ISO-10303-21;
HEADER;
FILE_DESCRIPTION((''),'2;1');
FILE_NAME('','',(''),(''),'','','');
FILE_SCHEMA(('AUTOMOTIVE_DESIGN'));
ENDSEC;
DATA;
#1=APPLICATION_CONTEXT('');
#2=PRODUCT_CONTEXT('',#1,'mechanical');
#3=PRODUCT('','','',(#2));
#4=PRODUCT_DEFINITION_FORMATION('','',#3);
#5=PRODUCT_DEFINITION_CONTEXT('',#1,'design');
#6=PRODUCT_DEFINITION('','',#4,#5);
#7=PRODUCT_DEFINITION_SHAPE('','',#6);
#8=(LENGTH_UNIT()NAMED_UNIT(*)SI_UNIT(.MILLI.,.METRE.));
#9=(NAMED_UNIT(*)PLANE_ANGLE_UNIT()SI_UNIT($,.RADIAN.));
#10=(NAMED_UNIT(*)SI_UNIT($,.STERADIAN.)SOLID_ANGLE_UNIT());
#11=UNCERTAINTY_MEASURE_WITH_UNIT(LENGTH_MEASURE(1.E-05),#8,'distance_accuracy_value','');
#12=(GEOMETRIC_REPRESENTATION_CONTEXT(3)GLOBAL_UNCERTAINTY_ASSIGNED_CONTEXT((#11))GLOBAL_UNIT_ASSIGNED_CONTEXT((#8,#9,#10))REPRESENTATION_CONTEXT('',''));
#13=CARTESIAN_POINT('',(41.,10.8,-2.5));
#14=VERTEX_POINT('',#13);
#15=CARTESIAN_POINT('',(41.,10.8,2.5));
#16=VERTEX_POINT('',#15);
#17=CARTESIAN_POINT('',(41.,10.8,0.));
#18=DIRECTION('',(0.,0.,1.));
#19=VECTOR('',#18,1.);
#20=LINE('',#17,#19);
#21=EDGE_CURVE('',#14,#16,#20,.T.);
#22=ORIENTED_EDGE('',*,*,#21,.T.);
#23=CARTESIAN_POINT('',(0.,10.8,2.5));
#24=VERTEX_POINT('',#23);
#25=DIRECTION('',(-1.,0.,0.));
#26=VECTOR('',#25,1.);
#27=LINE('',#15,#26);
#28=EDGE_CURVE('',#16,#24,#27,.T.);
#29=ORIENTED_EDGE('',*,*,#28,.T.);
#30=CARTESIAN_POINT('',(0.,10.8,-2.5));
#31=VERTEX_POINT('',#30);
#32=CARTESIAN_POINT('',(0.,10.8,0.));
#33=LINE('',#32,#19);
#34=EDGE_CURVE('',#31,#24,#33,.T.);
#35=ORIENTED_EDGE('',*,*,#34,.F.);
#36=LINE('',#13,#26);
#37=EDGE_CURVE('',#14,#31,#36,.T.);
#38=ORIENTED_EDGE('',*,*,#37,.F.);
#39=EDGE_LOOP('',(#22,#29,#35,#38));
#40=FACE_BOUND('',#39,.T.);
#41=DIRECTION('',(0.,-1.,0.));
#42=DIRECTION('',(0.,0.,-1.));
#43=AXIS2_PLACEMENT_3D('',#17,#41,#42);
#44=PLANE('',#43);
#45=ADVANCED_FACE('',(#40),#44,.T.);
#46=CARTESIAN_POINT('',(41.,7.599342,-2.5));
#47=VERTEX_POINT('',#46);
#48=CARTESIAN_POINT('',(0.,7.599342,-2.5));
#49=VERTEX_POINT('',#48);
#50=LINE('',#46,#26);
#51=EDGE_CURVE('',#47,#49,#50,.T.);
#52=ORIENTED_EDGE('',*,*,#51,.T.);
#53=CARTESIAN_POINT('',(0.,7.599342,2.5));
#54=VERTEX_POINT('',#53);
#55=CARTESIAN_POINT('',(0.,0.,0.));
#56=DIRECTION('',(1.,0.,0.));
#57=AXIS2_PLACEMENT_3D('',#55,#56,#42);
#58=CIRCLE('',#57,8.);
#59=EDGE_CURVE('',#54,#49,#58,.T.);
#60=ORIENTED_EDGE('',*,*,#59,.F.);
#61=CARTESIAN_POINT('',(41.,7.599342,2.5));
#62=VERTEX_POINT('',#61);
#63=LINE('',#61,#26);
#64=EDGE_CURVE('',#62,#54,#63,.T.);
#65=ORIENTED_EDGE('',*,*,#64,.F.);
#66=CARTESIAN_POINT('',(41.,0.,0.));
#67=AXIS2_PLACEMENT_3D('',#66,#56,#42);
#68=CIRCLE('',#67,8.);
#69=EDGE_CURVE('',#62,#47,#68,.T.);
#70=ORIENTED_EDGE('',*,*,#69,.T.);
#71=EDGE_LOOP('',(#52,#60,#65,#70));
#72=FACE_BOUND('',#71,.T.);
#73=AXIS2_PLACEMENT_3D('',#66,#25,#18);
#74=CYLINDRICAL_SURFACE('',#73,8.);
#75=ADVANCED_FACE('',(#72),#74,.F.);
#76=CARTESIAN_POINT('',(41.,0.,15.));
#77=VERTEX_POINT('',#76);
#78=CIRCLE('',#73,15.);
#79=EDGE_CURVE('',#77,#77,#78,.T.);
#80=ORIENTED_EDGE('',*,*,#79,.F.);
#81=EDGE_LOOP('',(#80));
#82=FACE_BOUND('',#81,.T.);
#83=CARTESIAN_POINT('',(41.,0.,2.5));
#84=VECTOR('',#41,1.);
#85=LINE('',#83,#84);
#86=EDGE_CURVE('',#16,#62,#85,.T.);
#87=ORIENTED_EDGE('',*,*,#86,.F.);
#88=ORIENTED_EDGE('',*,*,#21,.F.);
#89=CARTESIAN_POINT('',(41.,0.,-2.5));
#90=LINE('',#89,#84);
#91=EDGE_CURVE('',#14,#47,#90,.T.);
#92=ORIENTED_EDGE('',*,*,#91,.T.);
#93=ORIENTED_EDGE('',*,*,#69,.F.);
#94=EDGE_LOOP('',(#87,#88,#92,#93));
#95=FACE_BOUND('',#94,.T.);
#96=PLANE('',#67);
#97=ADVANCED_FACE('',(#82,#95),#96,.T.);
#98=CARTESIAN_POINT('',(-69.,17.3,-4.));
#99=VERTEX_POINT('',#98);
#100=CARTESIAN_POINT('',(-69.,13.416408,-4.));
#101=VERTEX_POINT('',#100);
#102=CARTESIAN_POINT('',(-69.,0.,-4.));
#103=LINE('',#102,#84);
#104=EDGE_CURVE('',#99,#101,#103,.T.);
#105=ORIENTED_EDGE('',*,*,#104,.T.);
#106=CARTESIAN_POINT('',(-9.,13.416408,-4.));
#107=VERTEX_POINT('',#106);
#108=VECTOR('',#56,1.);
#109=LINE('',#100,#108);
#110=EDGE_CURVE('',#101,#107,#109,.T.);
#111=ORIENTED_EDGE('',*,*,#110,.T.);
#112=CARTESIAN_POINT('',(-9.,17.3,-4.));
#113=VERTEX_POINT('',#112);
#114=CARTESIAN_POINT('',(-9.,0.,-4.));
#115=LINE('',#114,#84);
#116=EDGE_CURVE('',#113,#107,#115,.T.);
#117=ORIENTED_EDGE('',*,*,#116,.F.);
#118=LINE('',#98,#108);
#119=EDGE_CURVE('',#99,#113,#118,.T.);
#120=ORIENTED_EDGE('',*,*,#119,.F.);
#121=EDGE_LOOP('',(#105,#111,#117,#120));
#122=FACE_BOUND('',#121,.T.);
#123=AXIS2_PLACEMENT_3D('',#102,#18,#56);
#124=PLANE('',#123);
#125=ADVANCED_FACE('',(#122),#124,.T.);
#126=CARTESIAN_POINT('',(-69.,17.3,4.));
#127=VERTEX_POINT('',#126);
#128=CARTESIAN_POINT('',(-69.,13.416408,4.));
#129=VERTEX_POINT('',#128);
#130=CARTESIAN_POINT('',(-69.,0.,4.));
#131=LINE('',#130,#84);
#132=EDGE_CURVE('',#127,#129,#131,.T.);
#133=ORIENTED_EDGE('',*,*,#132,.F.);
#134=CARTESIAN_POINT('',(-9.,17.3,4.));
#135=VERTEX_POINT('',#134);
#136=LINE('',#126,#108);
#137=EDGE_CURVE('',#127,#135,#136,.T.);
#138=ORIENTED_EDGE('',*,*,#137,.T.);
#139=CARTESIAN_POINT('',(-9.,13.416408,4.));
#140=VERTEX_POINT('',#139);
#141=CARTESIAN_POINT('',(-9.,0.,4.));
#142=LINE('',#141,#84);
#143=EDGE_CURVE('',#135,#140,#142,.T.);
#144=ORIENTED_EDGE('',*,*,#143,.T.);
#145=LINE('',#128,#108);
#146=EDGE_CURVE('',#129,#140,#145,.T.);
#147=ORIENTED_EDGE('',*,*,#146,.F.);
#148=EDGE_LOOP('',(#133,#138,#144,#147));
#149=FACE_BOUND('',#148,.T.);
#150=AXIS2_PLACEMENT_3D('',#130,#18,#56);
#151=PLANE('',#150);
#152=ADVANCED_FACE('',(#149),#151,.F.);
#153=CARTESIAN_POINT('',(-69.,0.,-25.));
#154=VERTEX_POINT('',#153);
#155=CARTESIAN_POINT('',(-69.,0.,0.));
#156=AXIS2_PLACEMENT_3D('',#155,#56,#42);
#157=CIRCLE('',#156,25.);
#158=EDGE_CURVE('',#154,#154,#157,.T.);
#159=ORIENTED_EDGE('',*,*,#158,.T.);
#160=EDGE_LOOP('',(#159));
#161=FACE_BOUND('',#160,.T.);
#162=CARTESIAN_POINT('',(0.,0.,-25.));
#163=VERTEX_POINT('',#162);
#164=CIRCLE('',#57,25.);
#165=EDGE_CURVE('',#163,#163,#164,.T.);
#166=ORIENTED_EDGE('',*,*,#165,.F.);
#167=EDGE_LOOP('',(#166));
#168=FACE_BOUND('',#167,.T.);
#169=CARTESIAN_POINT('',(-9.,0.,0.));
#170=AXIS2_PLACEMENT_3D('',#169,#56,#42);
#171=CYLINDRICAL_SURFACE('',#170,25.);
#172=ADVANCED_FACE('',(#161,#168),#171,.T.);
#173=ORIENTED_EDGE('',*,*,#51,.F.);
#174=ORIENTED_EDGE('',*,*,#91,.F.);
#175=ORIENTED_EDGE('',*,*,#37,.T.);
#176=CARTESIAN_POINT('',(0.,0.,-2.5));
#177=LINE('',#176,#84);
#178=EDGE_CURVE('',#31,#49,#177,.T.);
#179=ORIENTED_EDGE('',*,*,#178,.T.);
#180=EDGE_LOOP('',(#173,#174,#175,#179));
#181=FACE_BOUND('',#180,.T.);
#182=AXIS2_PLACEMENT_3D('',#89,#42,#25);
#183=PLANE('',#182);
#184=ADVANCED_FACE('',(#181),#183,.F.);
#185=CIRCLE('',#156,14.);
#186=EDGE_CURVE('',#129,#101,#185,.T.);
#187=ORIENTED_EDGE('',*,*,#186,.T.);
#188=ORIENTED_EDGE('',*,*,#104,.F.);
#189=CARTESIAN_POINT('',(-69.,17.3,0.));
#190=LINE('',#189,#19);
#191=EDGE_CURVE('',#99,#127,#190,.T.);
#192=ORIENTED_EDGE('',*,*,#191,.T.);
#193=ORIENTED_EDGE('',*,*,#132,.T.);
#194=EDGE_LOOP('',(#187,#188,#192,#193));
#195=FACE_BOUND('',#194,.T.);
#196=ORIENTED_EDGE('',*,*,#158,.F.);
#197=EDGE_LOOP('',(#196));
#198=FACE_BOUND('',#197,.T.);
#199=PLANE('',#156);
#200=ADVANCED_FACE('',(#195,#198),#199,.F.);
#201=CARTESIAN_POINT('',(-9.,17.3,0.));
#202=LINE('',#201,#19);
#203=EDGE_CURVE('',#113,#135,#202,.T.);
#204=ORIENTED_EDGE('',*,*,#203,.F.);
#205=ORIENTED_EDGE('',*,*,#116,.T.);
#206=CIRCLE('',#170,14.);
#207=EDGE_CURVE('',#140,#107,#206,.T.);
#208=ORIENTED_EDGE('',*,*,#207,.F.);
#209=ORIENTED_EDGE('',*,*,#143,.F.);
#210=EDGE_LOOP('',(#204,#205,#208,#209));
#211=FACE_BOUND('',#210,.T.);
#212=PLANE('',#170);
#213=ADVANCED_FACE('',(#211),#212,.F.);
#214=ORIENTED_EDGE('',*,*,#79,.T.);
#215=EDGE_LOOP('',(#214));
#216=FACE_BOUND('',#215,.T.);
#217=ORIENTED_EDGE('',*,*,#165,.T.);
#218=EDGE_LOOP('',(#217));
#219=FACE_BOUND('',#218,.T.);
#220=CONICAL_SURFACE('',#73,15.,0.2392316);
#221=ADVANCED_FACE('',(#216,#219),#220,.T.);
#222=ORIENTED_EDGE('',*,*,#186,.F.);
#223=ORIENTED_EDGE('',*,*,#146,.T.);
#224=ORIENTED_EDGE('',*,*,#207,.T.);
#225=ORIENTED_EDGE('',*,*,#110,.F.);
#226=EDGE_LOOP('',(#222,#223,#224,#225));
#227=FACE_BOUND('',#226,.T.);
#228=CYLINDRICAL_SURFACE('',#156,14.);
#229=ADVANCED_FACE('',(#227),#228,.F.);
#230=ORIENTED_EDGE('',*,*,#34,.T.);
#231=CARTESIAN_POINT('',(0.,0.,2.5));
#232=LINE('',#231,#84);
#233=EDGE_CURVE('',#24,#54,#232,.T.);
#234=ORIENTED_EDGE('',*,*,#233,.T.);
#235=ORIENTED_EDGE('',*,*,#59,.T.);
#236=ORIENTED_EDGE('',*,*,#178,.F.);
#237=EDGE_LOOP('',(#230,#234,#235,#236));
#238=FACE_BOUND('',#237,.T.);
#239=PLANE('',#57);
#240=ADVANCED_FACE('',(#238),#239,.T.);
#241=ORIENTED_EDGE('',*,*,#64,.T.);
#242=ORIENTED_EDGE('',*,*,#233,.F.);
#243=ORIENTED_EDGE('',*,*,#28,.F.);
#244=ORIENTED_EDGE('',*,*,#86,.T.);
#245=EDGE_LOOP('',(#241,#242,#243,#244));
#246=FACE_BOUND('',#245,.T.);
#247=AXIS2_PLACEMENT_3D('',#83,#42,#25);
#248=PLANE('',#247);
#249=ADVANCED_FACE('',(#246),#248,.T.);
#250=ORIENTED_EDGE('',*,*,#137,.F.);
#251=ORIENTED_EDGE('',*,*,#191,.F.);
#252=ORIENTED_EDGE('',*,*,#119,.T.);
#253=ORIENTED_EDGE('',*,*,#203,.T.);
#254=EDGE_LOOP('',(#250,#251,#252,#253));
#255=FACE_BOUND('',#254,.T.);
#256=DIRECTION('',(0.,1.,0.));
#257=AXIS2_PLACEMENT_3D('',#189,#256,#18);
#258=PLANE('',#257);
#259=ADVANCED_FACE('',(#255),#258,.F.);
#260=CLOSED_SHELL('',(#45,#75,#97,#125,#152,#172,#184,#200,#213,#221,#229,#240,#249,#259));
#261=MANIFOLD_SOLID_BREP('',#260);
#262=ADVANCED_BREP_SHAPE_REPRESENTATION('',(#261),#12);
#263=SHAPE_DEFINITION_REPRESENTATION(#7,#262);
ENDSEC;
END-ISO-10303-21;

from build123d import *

# Parameters (mm, degrees)
SKETCH_2_R      = 15
EXTRUDE_2_DEPTH = 41
SKETCH_5_R      = 25
EXTRUDE_4_DEPTH = 9
EXTRUDE_START   = -9
SKETCH_6_R      = 25
EXTRUDE_5_DEPTH = 60


with BuildPart() as part:
    # Эскиз2 → Бобышка-Вытянуть2 (new body)
    with BuildSketch(Plane(origin=(0, 0, 0), x_dir=(0, 0, -1), z_dir=(1, 0, 0))):
        Circle(SKETCH_2_R)
        with BuildLine():
            Line((2.5, 10.8), (2.5, 7.599342077))
            ThreePointArc((2.5, 7.599342077), (6.480740698, 4.69041576), (8, 0))
            ThreePointArc((8, 0), (-4.69041576, -6.480740698), (-2.5, 7.599342077))
            Line((-2.5, 7.599342077), (-2.5, 10.8))
            Line((-2.5, 10.8), (0, 10.8))
            Line((0, 10.8), (2.5, 10.8))
        make_face(mode=Mode.SUBTRACT)
    extrude(amount=EXTRUDE_2_DEPTH)

    # Эскиз5 → Бобышка-Вытянуть4 (add)
    with BuildSketch(Plane(origin=(0, 0, 0), x_dir=(0, 0, -1), z_dir=(1, 0, 0))):
        Circle(SKETCH_5_R)
    extrude(amount=-EXTRUDE_4_DEPTH)

    # Эскиз6 → Бобышка-Вытянуть5 (add)
    with BuildSketch(Plane(origin=(0, 0, 0), x_dir=(0, 0, -1), z_dir=(1, 0, 0)).offset(EXTRUDE_START)):
        Circle(SKETCH_6_R)
        with BuildLine():
            ThreePointArc((14, 0), (-8.366600265, -11.22497216), (-4, 13.416407865))
            Line((-4, 13.416407865), (-4, 17.3))
            Line((-4, 17.3), (0, 17.3))
            Line((0, 17.3), (4, 17.3))
            Line((4, 17.3), (4, 13.416407865))
            ThreePointArc((4, 13.416407865), (11.22497216, 8.366600265), (14, 0))
        make_face(mode=Mode.SUBTRACT)
    extrude(amount=-EXTRUDE_5_DEPTH)

    # Эскиз7 → Повернуть1 (revolve)
    with BuildSketch(Plane(origin=(0, 0, 0), x_dir=(1, 0, 0), z_dir=(0, 1, 0)), mode=Mode.PRIVATE) as revolve_1_sk:
        Polygon((0, 25), (0, 15), (41, 15), align=None)
    revolve(revolve_1_sk.sketch.rotate(Axis((-60.197075593, 0, 0), (1, 0, 0)), 180), axis=Axis((-60.197075593, 0, 0), (1, 0, 0)))


solid = part.part
